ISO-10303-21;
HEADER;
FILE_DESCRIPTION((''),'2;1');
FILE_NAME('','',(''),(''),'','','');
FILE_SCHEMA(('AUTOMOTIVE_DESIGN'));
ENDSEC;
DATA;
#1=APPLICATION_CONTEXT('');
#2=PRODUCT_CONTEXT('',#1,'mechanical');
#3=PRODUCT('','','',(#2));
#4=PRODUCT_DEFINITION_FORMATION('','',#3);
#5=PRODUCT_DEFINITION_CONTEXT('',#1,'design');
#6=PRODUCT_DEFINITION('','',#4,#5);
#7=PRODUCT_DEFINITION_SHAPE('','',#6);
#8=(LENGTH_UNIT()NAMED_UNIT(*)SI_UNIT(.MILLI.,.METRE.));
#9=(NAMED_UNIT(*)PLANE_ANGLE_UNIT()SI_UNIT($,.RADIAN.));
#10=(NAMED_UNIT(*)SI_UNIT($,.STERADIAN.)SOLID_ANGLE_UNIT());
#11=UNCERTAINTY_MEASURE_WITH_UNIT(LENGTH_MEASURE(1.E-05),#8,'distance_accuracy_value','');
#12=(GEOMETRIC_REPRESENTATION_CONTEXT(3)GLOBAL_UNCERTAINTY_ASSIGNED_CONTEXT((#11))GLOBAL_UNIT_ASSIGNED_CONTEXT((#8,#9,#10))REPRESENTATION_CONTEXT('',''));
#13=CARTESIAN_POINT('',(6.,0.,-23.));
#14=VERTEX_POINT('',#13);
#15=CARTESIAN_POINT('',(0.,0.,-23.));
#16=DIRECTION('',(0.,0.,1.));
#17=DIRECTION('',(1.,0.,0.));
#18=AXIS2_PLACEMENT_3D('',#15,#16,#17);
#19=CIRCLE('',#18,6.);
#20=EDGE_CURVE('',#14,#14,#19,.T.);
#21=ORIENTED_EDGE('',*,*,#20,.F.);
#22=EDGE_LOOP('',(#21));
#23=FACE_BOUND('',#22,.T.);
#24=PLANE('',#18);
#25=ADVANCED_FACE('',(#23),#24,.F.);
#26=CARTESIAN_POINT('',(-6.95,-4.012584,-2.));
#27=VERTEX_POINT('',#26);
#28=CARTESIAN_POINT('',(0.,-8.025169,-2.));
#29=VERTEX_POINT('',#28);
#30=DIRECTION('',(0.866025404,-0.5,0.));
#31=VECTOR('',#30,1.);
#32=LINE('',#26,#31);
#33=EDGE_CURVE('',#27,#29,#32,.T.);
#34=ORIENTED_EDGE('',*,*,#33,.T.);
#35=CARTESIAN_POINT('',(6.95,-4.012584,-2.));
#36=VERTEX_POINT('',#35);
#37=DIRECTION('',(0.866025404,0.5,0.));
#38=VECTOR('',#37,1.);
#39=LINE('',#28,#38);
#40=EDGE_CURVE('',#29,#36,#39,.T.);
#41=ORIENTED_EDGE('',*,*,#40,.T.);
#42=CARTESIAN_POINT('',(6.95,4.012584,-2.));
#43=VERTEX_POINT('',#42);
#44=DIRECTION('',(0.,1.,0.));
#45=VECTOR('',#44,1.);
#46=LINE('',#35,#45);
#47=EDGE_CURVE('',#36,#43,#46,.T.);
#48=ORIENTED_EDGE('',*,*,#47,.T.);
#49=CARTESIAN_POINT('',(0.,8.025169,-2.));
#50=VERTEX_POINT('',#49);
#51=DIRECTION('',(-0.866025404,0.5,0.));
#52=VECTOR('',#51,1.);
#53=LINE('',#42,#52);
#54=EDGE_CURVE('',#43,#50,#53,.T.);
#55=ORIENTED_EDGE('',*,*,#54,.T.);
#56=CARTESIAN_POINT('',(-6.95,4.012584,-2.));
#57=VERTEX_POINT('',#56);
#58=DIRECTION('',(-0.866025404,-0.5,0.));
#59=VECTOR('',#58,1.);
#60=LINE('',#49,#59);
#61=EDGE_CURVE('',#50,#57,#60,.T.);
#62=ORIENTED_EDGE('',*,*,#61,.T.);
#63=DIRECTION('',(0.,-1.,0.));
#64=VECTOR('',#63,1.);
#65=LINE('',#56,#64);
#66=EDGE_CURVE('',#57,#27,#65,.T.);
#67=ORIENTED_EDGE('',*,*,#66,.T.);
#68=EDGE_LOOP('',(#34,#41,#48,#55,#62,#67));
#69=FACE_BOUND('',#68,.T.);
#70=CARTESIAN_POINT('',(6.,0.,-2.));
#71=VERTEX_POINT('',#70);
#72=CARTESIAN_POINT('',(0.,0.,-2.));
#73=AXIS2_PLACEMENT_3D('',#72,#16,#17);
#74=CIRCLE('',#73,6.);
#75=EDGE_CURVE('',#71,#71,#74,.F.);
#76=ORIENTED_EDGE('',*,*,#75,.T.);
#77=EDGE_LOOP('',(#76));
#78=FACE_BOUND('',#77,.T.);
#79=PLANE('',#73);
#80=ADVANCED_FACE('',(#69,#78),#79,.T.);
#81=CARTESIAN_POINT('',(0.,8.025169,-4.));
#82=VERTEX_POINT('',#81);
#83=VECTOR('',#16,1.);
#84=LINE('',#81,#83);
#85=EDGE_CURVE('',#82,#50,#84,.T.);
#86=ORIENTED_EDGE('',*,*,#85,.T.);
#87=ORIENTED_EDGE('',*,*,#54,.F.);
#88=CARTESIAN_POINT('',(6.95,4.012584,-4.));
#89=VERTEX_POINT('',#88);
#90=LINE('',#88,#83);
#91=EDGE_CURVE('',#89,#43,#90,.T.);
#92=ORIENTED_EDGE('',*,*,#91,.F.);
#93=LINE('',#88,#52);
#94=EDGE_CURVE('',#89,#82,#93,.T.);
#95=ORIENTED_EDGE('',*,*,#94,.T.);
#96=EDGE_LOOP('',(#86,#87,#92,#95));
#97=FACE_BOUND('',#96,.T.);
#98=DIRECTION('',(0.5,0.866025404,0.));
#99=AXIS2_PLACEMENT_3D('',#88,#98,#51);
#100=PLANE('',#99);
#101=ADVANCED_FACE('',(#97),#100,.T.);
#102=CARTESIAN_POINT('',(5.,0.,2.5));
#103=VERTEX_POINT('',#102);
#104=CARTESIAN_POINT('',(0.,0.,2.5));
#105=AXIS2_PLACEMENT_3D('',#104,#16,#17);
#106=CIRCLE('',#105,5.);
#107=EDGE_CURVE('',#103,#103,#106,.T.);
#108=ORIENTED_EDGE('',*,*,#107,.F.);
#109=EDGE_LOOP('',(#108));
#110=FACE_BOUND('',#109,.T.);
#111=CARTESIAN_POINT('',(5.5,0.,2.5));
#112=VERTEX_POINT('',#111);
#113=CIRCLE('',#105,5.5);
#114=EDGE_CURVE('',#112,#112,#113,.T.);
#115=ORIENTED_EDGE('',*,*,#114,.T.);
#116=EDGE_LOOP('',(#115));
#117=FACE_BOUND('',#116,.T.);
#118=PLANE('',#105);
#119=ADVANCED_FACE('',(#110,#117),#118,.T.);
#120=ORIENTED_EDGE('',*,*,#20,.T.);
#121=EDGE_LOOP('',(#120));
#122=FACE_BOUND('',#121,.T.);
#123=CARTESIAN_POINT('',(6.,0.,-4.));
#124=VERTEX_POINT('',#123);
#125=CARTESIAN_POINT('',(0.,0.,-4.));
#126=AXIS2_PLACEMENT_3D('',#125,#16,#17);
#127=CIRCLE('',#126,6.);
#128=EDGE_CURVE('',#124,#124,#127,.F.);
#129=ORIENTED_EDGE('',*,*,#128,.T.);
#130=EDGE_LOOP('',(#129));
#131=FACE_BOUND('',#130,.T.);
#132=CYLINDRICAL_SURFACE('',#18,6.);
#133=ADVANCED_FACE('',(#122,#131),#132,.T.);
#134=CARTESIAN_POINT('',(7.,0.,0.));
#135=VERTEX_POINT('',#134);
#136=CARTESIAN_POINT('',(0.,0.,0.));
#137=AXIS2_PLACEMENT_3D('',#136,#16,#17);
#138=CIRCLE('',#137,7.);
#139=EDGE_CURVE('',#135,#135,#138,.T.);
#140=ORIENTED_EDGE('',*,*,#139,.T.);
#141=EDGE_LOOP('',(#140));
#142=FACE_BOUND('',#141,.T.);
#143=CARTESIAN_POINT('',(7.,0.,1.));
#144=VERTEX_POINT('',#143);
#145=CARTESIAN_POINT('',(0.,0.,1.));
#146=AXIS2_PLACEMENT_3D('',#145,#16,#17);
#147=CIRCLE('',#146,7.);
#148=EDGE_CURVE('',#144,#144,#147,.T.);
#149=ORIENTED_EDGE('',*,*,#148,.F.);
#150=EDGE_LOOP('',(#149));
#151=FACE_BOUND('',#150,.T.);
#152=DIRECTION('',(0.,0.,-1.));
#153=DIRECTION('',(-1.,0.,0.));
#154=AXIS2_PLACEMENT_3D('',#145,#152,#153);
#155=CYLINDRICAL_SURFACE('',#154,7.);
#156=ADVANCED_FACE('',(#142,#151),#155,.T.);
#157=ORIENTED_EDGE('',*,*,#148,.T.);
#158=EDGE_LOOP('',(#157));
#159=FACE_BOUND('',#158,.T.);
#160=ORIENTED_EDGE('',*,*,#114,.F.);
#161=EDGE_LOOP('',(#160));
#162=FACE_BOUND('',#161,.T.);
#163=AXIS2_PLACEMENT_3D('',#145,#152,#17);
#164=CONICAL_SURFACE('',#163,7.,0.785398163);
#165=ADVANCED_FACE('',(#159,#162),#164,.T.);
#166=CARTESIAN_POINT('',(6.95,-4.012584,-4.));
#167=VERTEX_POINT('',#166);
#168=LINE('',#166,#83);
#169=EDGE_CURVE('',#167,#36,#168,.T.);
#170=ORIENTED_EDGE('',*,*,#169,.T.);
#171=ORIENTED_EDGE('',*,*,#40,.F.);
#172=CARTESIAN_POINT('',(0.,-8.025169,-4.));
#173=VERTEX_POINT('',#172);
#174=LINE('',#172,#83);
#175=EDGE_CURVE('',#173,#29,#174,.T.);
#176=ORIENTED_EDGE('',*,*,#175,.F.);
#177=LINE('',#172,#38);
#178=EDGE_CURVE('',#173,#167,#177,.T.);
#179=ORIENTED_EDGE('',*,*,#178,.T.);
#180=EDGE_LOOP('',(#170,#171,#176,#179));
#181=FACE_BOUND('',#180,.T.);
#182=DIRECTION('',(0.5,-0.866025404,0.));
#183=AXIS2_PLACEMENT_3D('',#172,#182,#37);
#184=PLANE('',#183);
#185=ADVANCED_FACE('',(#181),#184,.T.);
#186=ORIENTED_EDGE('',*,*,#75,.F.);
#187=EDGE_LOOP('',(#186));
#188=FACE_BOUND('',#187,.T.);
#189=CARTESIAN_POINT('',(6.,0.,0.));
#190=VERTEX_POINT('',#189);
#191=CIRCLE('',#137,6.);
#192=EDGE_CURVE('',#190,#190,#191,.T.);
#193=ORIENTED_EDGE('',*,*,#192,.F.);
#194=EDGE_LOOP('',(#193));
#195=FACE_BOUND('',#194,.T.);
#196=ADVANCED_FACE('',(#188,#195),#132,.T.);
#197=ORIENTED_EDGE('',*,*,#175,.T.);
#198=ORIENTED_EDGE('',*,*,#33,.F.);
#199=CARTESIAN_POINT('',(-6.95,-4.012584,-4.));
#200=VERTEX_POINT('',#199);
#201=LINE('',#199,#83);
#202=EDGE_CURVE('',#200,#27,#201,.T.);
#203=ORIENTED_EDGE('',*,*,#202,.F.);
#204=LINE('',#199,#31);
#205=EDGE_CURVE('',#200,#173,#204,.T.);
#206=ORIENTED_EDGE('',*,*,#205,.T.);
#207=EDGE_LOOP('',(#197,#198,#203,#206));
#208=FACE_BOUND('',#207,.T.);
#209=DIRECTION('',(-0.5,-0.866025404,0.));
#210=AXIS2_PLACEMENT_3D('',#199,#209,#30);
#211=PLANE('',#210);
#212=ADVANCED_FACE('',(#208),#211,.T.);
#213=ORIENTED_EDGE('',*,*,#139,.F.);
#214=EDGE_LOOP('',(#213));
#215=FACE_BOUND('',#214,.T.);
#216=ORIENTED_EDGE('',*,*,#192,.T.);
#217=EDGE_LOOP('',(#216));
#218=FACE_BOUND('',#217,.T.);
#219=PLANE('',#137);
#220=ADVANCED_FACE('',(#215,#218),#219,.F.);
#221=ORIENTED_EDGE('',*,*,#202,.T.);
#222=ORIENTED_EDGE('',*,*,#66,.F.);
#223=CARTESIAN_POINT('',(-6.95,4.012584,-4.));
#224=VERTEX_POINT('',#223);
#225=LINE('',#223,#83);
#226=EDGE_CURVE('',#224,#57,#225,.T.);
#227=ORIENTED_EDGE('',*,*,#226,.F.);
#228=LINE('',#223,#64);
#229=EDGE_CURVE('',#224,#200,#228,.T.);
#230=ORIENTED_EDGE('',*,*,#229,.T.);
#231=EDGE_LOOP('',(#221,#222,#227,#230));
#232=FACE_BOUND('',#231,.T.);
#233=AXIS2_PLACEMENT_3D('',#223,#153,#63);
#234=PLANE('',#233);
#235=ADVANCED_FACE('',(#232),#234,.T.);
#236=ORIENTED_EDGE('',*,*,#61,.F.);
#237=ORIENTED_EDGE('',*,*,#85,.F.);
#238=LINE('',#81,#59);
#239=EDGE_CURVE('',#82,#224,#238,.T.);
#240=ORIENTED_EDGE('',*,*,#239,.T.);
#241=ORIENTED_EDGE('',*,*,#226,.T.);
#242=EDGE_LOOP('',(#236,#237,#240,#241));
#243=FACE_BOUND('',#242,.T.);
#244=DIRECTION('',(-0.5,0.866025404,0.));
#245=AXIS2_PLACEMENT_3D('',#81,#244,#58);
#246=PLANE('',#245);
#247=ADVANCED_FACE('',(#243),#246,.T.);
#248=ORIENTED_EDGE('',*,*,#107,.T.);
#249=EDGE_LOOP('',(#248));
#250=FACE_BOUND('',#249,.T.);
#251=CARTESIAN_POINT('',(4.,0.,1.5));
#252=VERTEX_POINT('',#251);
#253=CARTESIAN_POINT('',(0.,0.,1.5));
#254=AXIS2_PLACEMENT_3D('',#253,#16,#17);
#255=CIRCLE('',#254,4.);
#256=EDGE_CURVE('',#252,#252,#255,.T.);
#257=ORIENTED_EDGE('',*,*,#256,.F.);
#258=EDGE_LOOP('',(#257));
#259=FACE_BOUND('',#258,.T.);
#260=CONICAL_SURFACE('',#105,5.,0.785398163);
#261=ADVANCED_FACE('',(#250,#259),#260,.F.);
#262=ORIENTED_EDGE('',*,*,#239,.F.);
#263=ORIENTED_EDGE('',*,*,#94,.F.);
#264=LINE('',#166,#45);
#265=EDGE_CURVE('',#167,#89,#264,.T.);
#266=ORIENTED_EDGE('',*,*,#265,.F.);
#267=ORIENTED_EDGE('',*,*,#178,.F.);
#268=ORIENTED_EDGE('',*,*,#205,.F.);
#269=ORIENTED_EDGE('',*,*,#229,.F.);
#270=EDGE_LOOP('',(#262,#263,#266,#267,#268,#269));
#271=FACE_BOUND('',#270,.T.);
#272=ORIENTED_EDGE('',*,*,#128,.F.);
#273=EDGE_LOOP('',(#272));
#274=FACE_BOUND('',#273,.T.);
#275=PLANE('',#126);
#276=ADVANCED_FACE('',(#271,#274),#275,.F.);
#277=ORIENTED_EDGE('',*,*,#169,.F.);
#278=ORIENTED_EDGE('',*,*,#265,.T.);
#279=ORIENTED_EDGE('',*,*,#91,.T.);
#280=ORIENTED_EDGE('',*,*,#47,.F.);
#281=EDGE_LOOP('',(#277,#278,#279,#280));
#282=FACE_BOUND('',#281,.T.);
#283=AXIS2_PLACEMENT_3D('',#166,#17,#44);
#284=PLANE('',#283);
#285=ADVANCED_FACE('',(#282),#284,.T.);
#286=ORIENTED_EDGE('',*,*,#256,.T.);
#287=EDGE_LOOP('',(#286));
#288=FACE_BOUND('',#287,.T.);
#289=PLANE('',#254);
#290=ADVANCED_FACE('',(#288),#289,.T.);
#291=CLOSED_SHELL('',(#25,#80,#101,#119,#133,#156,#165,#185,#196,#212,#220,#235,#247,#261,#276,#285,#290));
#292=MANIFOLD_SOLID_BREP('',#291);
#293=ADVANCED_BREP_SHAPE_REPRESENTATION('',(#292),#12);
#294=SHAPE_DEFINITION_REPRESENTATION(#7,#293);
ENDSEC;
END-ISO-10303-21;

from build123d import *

# Parameters (mm, degrees)
SKETCH1_R           = 7
BOSS_EXTRUDE1_DEPTH = 1
SKETCH2_R           = 7
BOSS_EXTRUDE2_DEPTH = 1.5
BOSS_EXTRUDE2_TAPER = 45
SKETCH3_R           = 5
CUT_EXTRUDE1_DEPTH  = 1
CUT_EXTRUDE1_DRAFT  = -45
SKETCH4_R           = 6
BOSS_EXTRUDE3_DEPTH = 23
NUT_DEPTH           = 2


with BuildPart() as part:
    # Sketch1 → Boss-Extrude1 (new body)
    with BuildSketch(Plane.XY):
        Circle(SKETCH1_R)
    extrude(amount=BOSS_EXTRUDE1_DEPTH)

    # Sketch2 → Boss-Extrude2 (add)
    with BuildSketch(Plane.XY.offset(1)):
        Circle(SKETCH2_R)
    extrude(amount=BOSS_EXTRUDE2_DEPTH, taper=BOSS_EXTRUDE2_TAPER)


with BuildPart() as cut_extrude1_tool:
    # Sketch3 → Cut-Extrude1 (with draft: the straight prism first)
    with BuildSketch(Plane.XY.offset(2.5)):
        Circle(SKETCH3_R)
    extrude(amount=-CUT_EXTRUDE1_DEPTH)
    # Cut-Extrude1: the draft: its side faces are tilted about the plane it starts from
    cut_extrude1_sides = [cut_extrude1_tool.faces().sort_by_distance(p)[0] for p in [
        (-5, 0, 2),
    ]]
    draft(cut_extrude1_sides, Plane.XY.offset(2.5), CUT_EXTRUDE1_DRAFT)


with BuildPart() as part_1:
    add(part.part)

    # Cut-Extrude1: cut by cut_extrude1_tool
    add(cut_extrude1_tool.part, mode=Mode.SUBTRACT)

    # Sketch4 → Boss-Extrude3 (add)
    with BuildSketch(Plane.XY):
        Circle(SKETCH4_R)
    extrude(amount=-BOSS_EXTRUDE3_DEPTH)

    # Sketch5 → Nut (add)
    with BuildSketch(Plane.XY.offset(-2)):
        Polygon((0, 8.025168742), (-6.95, 4.012584371), (-6.95, -4.012584371), (0, -8.025168742), (6.95, -4.012584371), (6.95, 4.012584371), align=None)
    extrude(amount=-NUT_DEPTH)


solid = part_1.part
